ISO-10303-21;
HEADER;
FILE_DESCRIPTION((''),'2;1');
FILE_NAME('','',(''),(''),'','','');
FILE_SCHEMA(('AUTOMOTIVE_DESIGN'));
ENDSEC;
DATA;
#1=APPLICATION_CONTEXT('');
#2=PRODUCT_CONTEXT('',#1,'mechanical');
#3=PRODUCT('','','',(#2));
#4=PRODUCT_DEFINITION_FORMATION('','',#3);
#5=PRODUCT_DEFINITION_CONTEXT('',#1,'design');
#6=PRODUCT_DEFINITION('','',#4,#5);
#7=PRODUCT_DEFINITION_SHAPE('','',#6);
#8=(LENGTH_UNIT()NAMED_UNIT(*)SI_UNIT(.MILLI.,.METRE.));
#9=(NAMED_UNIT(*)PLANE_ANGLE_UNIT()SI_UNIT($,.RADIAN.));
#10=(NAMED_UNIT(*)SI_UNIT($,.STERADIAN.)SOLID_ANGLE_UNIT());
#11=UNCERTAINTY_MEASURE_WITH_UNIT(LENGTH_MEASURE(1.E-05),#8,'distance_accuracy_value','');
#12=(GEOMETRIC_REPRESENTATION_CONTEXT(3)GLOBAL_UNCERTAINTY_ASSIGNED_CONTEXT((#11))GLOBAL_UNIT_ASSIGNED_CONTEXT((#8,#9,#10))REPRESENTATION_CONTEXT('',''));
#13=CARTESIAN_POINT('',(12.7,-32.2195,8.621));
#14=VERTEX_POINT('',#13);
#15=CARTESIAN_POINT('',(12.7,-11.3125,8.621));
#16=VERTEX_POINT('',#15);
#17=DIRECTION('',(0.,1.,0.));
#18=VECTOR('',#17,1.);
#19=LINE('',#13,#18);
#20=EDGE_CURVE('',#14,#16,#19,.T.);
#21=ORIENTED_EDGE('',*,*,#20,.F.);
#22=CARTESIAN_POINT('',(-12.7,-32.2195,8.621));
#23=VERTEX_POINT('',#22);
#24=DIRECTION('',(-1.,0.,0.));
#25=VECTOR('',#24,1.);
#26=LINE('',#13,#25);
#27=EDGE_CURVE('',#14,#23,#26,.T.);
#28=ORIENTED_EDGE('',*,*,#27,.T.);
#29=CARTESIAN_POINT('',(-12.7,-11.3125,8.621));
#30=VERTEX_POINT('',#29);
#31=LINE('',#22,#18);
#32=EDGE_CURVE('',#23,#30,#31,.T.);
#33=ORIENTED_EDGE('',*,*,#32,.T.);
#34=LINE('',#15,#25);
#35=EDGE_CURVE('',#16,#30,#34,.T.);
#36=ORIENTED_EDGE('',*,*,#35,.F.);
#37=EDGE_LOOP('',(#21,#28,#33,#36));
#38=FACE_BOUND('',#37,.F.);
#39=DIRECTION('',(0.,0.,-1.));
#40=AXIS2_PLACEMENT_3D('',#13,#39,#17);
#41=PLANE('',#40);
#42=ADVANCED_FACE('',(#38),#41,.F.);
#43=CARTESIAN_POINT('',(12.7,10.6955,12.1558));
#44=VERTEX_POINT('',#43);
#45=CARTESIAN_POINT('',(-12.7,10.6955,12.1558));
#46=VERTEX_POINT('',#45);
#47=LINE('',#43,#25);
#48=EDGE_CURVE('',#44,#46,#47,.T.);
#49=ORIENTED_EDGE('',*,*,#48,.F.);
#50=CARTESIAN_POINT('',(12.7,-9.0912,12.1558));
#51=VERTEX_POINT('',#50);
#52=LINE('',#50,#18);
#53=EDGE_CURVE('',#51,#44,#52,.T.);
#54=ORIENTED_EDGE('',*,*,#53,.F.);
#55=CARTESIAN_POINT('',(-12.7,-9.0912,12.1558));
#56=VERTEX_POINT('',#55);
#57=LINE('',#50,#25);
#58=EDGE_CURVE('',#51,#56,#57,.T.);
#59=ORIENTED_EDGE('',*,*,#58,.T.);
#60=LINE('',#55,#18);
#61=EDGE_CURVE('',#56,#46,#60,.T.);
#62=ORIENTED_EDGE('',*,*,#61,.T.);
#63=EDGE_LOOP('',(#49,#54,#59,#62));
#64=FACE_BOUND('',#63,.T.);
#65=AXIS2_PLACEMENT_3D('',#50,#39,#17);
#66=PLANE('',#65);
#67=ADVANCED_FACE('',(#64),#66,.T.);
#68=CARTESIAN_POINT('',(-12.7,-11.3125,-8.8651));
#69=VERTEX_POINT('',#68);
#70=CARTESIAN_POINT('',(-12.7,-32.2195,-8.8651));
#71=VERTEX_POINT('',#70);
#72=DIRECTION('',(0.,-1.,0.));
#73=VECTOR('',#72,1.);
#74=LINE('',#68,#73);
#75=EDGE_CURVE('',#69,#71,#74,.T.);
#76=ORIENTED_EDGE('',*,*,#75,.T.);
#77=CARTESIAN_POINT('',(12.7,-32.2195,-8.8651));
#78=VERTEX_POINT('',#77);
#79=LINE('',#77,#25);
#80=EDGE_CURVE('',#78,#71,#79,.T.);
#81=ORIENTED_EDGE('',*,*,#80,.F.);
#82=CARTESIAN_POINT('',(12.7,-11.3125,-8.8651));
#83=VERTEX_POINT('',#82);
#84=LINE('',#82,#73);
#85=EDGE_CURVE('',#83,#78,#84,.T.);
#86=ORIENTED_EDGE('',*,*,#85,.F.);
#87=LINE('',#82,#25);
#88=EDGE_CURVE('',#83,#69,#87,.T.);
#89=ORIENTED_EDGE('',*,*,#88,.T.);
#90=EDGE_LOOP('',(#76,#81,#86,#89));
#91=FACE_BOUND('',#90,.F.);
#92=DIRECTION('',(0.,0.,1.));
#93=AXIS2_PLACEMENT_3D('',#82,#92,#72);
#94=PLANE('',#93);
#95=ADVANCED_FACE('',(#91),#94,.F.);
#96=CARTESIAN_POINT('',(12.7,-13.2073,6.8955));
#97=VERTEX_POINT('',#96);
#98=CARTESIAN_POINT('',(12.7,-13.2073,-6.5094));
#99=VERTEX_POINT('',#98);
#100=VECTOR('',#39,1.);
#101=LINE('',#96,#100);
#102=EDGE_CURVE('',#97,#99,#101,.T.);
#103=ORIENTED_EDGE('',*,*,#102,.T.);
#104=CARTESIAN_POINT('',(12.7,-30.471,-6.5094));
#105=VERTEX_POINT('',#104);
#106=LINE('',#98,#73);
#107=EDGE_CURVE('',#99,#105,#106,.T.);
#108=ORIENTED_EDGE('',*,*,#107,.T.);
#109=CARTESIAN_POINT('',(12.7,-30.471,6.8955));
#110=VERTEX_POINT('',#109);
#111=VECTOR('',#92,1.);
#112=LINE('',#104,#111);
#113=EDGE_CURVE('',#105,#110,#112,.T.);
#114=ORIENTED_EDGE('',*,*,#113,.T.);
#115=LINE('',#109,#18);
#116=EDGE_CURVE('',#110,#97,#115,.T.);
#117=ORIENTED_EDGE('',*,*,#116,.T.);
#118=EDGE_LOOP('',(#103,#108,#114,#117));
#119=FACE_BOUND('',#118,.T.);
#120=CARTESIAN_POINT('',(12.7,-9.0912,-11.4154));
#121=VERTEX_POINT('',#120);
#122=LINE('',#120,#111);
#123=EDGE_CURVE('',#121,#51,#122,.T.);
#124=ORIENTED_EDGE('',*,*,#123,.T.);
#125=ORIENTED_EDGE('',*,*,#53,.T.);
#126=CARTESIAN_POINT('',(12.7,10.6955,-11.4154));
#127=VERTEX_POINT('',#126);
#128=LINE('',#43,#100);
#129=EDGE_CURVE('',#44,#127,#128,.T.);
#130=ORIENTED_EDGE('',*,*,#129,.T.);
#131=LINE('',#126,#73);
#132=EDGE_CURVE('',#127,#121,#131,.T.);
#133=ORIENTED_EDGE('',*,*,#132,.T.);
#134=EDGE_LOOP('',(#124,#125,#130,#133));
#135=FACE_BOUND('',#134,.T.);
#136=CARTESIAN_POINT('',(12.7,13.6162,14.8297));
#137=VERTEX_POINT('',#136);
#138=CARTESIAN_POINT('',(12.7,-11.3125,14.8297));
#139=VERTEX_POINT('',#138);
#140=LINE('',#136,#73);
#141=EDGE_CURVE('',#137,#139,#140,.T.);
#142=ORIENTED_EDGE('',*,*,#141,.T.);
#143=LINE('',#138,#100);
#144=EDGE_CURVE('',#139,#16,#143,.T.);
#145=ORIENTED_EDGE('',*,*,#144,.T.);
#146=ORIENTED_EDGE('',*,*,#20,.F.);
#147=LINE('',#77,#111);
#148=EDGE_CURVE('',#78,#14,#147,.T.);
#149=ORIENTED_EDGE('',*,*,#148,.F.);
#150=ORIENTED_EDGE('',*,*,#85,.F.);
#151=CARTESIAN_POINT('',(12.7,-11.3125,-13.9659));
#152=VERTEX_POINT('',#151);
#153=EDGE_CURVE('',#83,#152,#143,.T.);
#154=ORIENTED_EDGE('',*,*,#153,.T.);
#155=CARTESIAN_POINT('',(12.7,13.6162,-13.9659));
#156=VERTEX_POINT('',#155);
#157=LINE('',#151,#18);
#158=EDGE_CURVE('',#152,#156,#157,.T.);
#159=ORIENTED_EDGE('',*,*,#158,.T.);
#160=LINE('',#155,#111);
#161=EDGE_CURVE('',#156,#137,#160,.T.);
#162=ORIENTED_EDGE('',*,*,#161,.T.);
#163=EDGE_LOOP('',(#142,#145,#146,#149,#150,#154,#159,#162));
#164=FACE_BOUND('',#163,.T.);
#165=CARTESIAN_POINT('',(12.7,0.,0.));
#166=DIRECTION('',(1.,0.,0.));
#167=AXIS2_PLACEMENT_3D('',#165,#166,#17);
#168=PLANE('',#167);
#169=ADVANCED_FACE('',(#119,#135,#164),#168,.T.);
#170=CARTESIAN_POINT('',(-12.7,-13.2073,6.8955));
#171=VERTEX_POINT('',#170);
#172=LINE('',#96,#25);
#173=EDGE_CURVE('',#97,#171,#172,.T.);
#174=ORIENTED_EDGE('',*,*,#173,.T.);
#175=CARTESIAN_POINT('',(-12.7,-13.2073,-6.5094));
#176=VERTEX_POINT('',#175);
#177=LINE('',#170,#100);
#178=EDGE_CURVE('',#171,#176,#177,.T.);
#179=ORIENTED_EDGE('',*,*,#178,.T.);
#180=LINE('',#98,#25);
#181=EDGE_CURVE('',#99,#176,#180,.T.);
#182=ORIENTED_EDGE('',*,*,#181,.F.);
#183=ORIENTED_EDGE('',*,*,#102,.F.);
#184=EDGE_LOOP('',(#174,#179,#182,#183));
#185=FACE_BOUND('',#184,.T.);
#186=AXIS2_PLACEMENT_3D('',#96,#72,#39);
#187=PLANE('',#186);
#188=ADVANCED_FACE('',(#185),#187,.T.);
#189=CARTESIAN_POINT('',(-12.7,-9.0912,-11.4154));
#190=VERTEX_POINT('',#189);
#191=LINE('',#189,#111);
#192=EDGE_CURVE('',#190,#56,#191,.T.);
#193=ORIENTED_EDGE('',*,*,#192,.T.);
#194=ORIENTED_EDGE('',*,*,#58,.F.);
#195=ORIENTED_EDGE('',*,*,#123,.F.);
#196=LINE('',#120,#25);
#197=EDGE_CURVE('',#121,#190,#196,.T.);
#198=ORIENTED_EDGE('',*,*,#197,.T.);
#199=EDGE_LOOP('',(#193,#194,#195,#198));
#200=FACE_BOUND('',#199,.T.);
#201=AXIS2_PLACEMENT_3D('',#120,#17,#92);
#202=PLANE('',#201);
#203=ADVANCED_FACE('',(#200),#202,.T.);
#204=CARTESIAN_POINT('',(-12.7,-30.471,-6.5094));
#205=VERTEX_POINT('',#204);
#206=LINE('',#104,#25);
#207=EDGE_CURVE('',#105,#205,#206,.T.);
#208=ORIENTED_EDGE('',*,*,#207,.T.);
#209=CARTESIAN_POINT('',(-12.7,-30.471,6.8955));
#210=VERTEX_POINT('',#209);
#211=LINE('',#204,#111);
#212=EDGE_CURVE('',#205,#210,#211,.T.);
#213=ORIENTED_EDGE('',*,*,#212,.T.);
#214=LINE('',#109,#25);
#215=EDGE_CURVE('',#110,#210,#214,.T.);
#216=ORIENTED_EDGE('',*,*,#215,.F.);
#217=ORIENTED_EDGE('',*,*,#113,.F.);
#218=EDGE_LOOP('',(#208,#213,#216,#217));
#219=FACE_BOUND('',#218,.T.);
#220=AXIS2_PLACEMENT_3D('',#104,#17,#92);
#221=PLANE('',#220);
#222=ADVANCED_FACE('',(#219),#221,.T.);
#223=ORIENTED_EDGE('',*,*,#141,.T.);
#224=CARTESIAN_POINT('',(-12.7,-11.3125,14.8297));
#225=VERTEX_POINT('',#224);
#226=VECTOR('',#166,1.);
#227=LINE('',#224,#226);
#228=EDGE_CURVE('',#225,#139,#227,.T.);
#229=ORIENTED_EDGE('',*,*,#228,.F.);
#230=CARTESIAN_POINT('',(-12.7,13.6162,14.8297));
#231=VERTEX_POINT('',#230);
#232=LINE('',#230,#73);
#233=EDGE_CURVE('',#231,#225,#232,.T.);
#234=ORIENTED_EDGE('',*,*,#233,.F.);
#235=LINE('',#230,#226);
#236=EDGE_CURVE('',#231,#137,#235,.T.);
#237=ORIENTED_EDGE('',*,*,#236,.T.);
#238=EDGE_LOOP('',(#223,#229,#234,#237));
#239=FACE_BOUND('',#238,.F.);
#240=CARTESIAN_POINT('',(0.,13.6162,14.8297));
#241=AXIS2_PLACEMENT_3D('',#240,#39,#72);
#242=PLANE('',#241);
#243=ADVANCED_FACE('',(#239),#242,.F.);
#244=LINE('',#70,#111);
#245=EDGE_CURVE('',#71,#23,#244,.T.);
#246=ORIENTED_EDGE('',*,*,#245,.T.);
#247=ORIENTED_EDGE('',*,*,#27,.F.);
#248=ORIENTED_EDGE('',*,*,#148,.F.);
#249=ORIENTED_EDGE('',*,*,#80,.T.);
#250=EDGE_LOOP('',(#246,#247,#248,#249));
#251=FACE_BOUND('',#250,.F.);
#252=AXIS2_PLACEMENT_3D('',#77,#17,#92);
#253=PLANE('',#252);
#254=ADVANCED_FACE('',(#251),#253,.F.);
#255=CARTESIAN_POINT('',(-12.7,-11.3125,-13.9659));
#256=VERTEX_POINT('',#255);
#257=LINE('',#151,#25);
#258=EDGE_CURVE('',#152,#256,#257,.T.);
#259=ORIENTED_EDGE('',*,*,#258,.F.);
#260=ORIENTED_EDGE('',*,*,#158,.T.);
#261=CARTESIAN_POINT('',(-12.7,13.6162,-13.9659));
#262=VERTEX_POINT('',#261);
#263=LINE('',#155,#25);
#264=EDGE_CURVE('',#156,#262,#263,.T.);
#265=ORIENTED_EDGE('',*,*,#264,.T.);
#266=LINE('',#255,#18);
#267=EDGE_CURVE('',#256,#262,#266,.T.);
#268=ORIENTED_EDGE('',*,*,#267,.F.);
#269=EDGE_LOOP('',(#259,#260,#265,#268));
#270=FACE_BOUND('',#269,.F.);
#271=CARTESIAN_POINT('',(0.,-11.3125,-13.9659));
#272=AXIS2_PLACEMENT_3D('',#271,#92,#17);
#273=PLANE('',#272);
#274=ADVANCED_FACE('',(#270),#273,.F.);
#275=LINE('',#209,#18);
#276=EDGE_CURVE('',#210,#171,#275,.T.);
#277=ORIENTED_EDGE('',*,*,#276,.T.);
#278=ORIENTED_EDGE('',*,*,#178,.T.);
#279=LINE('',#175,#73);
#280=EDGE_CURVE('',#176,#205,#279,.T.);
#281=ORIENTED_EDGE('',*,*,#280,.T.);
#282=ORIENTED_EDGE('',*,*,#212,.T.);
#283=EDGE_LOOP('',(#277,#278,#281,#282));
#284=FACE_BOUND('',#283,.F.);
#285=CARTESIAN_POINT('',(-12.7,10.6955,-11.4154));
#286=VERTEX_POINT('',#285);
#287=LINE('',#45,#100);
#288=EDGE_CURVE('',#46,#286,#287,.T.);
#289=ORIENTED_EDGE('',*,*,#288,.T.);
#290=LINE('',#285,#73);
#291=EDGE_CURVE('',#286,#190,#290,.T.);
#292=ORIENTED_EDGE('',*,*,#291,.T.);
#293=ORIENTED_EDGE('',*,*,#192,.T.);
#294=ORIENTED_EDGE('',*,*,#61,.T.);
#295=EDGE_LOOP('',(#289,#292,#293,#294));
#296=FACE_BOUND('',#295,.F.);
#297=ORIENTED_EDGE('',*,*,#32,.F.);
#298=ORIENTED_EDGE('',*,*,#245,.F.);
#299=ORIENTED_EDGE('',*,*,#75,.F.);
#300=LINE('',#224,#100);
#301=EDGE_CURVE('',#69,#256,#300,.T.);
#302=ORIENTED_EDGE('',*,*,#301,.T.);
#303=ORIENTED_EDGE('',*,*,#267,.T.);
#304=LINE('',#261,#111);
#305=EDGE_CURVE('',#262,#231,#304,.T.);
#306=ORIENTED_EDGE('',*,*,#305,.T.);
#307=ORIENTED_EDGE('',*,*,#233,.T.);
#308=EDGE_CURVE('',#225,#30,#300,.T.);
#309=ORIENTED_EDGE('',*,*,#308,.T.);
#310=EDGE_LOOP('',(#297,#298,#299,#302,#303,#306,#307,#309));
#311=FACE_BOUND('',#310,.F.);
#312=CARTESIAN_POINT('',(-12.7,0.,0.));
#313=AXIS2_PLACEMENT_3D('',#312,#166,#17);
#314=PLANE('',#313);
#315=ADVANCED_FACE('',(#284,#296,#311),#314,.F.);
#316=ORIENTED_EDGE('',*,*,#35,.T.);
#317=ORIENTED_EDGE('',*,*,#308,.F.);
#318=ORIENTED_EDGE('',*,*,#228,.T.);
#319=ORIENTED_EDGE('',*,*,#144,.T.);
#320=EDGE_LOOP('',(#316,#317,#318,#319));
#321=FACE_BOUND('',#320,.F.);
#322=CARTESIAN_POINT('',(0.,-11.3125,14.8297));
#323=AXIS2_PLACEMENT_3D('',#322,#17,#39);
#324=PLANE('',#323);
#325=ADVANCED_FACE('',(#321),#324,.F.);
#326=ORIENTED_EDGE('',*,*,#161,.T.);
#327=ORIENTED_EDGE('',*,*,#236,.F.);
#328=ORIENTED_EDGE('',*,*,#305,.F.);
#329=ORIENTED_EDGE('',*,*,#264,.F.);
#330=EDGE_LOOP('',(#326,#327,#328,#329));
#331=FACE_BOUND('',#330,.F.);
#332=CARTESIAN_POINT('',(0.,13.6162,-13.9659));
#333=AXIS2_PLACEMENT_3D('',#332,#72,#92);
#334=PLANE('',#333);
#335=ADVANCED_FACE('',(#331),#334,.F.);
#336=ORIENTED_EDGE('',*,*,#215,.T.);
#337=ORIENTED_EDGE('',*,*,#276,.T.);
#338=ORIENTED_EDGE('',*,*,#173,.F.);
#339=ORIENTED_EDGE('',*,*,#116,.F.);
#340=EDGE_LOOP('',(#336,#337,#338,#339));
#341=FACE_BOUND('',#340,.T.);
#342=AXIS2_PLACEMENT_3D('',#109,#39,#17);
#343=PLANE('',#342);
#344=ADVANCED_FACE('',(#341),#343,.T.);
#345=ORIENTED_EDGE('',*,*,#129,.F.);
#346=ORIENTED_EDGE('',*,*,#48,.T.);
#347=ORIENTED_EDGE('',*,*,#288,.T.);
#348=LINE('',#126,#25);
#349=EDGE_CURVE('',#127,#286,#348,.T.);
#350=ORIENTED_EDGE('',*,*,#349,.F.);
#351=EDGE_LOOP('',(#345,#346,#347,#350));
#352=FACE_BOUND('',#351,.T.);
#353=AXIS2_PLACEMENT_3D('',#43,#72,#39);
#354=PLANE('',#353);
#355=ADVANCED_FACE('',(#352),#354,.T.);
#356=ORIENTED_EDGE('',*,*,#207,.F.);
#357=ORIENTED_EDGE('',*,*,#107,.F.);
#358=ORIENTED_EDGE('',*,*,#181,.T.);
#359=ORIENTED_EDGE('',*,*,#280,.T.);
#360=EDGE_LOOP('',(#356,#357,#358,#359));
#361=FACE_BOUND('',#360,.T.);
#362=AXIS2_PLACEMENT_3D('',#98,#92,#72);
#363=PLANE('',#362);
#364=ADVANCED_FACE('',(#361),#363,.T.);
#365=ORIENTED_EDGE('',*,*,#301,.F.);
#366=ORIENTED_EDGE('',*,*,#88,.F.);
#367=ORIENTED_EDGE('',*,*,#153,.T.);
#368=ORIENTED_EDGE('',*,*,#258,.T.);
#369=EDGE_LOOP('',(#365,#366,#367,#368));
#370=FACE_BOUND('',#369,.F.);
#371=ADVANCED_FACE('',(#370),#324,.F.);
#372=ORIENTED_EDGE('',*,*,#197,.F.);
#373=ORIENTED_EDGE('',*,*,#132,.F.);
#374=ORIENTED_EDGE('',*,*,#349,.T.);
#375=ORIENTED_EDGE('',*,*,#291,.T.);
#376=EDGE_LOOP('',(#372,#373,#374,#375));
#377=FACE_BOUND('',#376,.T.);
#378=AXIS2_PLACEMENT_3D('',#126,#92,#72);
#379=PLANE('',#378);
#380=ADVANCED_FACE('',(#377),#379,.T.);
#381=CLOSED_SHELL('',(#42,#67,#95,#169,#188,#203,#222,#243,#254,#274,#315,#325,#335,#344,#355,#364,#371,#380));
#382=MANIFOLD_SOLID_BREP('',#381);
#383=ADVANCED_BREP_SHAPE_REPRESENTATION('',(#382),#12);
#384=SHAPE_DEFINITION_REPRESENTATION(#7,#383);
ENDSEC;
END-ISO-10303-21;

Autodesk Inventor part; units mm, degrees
ref_plane "YZ Plane" through (0, 0, 0) normal (1, 0, 0) x (0, 1, 0)
ref_plane "XZ Plane" through (0, 0, 0) normal (0, 1, 0) x (-1, 0, 0)
ref_plane "XY Plane" through (0, 0, 0) normal (0, 0, 1) x (1, 0, 0)
sketch "Sketch1" plane through (0, 0, 0) normal (1, 0, 0) x (0, 1, 0)
  line L0 (13.6162, 14.8297) -> (-11.3125, 14.8297)
  line L1 (-11.3125, 14.8297) -> (-11.3125, -13.9659)
  line L2 (-11.3125, -13.9659) -> (13.6162, -13.9659)
  line L3 (13.6162, -13.9659) -> (13.6162, 14.8297)
extrude "Extrusion1" add sketch "Sketch1" along normal mid plane 25.4
sketch "Sketch2" plane through (12.7, 0, 0) normal (1, 0, 0) x (0, 0, -1)
  line L0 (-12.1558, 10.6955) -> (11.4154, 10.6955)
  line L1 (11.4154, 10.6955) -> (11.4154, -9.0912)
  line L2 (11.4154, -9.0912) -> (-12.1558, -9.0912)
  line L3 (-12.1558, -9.0912) -> (-12.1558, 10.6955)
  point P0 (0, 0)
extrude "Extrusion2" cut sketch "Sketch2" against normal blind 25.4
sketch "Sketch3" plane through (12.7, 0, 0) normal (1, 0, 0) x (0, 0, -1)
  line L0 (-14.8297, -11.3125) -> (13.9659, -11.3125) projected
  line L1 (-8.621, -11.3125) -> (8.8651, -11.3125)
  line L2 (8.8651, -11.3125) -> (8.8651, -32.2195)
  line L3 (8.8651, -32.2195) -> (-8.621, -32.2195)
  line L4 (-8.621, -32.2195) -> (-8.621, -11.3125)
  point P0 (0, 0)
extrude "Extrusion3" add sketch "Sketch3" against normal blind 25.4
sketch "Sketch4" plane through (12.7, 0, 0) normal (1, 0, 0) x (0, 0, -1)
  line L0 (-6.8955, -13.2073) -> (6.5094, -13.2073)
  line L1 (6.5094, -13.2073) -> (6.5094, -30.471)
  line L2 (6.5094, -30.471) -> (-6.8955, -30.471)
  line L3 (-6.8955, -30.471) -> (-6.8955, -13.2073)
  point P0 (0, 0)
extrude "Extrusion4" cut sketch "Sketch4" against normal blind 25.4
sketch "Sketch6" plane through (12.7, -32.2195, -8.8651) normal (0, -1, 0) x (1, 0, 0)
  point P0 (-12.7, 8.8651)
